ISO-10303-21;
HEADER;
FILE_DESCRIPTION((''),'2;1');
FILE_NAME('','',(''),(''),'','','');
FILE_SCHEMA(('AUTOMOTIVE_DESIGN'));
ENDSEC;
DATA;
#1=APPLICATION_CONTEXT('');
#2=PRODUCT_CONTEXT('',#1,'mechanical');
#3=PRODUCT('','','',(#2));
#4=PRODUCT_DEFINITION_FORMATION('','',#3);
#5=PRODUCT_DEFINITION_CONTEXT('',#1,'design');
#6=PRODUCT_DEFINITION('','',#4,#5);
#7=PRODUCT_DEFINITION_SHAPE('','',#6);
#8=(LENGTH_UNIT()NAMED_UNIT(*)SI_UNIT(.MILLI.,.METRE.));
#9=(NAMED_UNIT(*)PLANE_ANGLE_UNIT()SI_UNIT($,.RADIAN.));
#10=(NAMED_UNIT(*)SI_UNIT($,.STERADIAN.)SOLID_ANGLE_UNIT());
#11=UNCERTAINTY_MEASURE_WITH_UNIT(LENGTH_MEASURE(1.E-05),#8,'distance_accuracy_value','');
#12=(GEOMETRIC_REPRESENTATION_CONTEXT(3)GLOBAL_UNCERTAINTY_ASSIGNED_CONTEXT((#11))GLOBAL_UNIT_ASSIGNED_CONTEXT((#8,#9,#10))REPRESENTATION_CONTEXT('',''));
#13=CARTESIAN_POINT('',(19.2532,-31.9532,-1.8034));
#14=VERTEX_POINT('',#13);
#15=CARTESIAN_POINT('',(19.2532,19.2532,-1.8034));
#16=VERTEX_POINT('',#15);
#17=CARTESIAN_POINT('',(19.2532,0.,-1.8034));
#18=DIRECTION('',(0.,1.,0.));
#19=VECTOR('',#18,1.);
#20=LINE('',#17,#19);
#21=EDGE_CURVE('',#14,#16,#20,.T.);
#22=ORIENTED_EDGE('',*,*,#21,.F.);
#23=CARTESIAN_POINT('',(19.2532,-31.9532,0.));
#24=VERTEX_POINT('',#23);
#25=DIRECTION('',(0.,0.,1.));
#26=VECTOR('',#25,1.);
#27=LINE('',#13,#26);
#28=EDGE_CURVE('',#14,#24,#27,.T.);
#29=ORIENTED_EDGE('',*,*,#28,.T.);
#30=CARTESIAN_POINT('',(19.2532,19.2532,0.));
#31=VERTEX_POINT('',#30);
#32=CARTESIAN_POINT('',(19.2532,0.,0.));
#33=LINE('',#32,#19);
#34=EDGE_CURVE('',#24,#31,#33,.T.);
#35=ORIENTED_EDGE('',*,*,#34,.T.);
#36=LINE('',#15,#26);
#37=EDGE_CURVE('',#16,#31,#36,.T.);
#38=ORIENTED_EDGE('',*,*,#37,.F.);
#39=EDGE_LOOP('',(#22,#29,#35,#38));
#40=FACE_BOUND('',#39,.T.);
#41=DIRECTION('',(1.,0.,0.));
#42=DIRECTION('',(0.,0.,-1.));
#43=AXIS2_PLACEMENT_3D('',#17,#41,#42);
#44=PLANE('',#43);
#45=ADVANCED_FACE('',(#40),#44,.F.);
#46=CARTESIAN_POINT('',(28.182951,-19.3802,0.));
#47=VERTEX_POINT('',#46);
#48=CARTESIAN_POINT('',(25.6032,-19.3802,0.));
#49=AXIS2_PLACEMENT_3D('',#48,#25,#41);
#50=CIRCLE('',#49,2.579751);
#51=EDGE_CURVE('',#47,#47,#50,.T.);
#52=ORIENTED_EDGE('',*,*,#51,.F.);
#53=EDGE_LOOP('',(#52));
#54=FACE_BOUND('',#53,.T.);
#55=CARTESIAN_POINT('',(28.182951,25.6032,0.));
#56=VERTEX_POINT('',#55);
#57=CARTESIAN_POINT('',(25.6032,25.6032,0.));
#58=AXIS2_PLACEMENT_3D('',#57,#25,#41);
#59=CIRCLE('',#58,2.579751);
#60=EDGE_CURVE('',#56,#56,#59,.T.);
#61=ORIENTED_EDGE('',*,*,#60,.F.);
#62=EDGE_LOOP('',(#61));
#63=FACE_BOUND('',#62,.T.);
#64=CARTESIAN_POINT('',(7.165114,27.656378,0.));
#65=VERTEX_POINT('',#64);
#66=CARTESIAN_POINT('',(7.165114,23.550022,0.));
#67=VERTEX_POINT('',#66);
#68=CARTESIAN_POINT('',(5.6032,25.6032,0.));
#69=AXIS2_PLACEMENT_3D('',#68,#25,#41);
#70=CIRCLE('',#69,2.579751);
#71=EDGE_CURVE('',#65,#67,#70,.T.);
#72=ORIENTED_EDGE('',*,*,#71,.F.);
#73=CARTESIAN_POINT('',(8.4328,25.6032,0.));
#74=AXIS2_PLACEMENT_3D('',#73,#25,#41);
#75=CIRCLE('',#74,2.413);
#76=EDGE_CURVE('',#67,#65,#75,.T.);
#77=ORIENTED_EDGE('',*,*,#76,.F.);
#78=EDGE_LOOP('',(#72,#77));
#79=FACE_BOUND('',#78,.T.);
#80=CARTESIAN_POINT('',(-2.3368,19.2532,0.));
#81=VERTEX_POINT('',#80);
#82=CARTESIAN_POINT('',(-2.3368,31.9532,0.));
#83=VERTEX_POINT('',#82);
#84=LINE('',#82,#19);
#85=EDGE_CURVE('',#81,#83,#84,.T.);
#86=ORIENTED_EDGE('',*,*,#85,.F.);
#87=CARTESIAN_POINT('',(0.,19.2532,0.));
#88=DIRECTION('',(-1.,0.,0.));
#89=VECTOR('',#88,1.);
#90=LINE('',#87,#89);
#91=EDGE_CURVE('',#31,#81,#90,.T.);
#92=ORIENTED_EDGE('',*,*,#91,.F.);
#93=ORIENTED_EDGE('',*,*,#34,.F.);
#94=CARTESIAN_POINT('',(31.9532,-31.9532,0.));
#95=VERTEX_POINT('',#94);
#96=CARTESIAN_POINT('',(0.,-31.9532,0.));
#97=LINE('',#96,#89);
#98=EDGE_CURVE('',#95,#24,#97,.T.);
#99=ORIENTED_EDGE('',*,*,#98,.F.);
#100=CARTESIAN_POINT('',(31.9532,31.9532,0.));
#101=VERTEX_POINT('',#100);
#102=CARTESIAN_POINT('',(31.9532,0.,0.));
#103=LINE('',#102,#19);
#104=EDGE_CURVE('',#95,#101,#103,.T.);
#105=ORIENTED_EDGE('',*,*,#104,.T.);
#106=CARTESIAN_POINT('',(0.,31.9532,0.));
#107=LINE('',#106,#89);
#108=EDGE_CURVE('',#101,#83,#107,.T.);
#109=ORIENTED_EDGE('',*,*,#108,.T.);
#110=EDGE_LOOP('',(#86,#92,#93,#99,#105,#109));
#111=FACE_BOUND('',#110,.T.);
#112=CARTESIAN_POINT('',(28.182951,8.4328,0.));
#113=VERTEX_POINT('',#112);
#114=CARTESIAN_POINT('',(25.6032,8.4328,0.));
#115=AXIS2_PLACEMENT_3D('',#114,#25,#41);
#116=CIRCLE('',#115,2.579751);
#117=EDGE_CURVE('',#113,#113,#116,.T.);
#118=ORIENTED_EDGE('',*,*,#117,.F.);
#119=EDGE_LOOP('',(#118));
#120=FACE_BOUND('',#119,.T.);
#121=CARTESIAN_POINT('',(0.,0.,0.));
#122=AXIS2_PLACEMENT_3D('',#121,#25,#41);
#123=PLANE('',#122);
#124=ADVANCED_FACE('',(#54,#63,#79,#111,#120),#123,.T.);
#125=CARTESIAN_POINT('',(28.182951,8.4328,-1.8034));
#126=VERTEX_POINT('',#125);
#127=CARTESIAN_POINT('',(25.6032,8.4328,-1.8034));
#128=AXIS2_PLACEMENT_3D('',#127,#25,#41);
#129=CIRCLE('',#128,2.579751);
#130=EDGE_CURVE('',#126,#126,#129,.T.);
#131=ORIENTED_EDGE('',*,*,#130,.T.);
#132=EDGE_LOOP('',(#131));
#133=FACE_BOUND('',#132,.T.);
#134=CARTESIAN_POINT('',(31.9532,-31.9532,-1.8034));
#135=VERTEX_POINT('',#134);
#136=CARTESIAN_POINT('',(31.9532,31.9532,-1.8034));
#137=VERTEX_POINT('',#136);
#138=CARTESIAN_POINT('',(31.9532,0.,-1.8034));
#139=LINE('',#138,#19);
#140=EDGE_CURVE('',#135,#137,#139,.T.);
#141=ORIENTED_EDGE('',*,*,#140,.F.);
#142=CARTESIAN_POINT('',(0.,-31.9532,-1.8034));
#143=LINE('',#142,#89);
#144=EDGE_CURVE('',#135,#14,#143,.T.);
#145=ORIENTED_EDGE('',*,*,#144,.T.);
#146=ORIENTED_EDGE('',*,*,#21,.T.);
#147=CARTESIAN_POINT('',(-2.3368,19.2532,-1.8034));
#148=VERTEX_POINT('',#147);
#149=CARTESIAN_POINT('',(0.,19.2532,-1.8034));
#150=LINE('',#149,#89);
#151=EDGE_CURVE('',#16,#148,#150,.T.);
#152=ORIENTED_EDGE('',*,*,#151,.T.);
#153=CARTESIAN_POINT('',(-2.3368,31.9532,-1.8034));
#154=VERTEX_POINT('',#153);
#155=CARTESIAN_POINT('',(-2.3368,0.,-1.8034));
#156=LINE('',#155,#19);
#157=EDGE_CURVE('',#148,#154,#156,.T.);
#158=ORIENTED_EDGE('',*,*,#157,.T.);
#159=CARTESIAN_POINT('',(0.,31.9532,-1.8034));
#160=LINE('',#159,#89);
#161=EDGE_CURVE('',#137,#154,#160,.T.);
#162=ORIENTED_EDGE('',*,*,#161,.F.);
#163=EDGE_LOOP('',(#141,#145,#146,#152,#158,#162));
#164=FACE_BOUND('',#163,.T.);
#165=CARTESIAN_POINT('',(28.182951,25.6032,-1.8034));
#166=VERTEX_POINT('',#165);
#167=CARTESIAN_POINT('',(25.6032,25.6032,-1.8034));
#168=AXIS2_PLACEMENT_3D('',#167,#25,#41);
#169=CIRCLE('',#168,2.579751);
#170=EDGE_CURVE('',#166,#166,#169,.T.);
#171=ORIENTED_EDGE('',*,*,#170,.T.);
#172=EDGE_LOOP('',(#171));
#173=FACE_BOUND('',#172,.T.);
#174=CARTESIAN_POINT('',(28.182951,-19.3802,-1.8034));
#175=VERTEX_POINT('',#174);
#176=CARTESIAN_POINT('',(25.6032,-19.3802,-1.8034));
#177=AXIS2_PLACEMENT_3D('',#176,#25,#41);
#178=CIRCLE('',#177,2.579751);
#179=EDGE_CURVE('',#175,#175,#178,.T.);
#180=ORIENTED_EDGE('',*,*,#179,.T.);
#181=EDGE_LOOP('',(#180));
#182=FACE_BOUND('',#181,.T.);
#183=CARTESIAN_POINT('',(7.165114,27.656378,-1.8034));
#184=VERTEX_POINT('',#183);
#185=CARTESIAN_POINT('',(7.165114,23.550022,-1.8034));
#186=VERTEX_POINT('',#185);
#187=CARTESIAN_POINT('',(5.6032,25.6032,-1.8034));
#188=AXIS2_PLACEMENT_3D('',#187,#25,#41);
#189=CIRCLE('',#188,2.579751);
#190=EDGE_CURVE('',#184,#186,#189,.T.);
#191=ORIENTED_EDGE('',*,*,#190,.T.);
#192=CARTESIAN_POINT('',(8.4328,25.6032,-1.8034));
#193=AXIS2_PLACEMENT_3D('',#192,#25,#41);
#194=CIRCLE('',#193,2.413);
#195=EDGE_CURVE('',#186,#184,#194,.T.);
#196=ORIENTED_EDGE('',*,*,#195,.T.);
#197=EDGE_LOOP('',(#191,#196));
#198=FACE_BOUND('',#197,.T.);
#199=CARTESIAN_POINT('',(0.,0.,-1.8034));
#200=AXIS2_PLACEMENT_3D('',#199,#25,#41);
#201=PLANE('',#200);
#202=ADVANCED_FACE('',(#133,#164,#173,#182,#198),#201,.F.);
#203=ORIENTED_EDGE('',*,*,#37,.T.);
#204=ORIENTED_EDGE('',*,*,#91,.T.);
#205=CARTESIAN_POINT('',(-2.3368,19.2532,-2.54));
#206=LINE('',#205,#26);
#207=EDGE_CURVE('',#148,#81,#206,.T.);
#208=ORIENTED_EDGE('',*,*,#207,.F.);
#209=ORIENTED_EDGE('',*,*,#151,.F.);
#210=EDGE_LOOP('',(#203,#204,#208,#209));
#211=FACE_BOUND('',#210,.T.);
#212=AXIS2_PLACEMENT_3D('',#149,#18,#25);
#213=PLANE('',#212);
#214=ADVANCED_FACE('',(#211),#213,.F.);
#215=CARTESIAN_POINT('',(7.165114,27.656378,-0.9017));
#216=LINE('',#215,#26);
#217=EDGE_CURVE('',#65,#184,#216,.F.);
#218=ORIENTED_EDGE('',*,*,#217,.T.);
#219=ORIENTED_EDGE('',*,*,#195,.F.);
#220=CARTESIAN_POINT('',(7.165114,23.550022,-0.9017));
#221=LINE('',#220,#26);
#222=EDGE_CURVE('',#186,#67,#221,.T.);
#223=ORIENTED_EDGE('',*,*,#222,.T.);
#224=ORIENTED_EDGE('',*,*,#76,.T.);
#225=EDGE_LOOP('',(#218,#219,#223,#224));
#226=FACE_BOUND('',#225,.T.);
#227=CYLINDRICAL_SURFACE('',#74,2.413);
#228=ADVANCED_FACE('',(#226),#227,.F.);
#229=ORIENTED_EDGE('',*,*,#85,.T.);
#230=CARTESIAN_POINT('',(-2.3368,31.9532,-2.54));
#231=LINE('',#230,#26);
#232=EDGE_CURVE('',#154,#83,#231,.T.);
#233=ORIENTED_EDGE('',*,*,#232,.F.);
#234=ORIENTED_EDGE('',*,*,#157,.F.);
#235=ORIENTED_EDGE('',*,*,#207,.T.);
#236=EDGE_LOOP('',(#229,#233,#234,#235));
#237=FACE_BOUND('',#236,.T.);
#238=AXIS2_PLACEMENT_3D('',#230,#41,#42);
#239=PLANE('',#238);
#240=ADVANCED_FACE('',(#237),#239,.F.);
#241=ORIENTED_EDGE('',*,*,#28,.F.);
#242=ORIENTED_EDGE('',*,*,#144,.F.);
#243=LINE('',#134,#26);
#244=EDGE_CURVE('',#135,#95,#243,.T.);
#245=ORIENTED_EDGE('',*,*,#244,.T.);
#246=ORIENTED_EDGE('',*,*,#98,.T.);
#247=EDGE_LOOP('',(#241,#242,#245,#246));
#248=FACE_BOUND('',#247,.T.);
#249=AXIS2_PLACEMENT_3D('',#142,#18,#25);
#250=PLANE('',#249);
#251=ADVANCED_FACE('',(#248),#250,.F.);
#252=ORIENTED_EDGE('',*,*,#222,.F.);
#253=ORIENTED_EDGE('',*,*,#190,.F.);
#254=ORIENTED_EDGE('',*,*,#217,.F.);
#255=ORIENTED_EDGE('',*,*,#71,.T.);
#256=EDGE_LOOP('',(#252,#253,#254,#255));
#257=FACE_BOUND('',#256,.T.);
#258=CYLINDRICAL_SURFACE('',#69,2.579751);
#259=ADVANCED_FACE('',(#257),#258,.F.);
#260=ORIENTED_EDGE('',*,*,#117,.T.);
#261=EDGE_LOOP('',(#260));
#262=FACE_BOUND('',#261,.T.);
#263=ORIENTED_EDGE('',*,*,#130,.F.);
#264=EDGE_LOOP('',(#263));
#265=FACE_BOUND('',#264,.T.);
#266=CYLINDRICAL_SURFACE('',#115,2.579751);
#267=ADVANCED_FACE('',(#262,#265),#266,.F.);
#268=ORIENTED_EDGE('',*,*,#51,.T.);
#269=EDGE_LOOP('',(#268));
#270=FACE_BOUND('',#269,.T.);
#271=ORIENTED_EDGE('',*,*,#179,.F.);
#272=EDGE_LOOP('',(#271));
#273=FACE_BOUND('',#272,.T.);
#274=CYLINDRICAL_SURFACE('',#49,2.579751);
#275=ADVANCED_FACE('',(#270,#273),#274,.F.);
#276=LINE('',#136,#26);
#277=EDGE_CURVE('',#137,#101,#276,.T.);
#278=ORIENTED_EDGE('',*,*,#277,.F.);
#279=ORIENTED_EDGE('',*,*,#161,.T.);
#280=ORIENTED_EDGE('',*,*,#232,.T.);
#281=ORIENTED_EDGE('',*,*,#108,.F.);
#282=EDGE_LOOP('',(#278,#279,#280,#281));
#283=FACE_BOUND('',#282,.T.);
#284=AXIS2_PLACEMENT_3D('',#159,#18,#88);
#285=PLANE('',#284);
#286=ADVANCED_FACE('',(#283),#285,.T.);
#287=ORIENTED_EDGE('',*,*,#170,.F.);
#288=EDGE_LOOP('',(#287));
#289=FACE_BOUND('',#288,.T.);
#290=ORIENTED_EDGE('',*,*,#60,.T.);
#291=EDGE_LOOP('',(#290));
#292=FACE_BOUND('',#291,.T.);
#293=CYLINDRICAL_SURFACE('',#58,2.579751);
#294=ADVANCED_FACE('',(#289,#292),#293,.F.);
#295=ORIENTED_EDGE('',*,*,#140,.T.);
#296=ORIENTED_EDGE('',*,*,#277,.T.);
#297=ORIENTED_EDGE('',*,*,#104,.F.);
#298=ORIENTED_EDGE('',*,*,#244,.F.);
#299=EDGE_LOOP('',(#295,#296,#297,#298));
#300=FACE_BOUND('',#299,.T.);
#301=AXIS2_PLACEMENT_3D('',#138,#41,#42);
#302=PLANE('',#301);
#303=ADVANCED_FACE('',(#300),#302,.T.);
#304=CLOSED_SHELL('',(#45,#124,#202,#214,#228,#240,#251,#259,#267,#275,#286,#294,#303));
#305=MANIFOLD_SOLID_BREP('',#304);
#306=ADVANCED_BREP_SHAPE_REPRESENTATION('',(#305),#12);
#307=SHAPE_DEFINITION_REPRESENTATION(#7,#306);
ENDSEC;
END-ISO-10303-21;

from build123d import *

# Parameters (mm, degrees)
BOSS_EXTRUDE2_DEPTH              = 1.8034
F_97_0_0059_DIAMETER_HOLE1_D     = 4.826
F_13_64_0_20313_DIAMETER_HOLE1_D = 5.159502
SKETCH7_W                        = 29.6164
SKETCH7_H                        = 12.7
CUT_EXTRUDE1_DEPTH               = 2.54


with BuildPart() as part:
    # Sketch1 → Boss-Extrude2 (new body)
    with BuildSketch(Plane.XY):
        Polygon((19.2532, -19.2532), (19.2532, 19.2532), (-19.2532, 19.2532), (-31.9532, 19.2532), (-31.9532, 31.9532), (31.9532, 31.9532), (31.9532, -31.9532), (19.2532, -31.9532), align=None)
    extrude(amount=-BOSS_EXTRUDE2_DEPTH)

    # #97 (0.0059) Diameter Hole1 (through all)
    with Locations(Plane.XY):
        with Locations((-19.3802, 25.6032), (8.4328, 25.6032), (25.6032, -19.3802), (25.6032, 8.4328)):
            Hole(F_97_0_0059_DIAMETER_HOLE1_D / 2)

    # 13/64 (0.20313) Diameter Hole1 (through all)
    with Locations(Plane.XY):
        with Locations((5.6032, 25.6032), (25.6032, 8.4328), (25.6032, -19.3802), (25.6032, 25.6032)):
            Hole(F_13_64_0_20313_DIAMETER_HOLE1_D / 2)

    # Sketch7 → Cut-Extrude1 (cut)
    with BuildSketch(Plane.XY):
        with Locations((-17.145, 25.6032)):
            Rectangle(SKETCH7_W, SKETCH7_H)
    extrude(amount=-CUT_EXTRUDE1_DEPTH, mode=Mode.SUBTRACT)


solid = part.part
